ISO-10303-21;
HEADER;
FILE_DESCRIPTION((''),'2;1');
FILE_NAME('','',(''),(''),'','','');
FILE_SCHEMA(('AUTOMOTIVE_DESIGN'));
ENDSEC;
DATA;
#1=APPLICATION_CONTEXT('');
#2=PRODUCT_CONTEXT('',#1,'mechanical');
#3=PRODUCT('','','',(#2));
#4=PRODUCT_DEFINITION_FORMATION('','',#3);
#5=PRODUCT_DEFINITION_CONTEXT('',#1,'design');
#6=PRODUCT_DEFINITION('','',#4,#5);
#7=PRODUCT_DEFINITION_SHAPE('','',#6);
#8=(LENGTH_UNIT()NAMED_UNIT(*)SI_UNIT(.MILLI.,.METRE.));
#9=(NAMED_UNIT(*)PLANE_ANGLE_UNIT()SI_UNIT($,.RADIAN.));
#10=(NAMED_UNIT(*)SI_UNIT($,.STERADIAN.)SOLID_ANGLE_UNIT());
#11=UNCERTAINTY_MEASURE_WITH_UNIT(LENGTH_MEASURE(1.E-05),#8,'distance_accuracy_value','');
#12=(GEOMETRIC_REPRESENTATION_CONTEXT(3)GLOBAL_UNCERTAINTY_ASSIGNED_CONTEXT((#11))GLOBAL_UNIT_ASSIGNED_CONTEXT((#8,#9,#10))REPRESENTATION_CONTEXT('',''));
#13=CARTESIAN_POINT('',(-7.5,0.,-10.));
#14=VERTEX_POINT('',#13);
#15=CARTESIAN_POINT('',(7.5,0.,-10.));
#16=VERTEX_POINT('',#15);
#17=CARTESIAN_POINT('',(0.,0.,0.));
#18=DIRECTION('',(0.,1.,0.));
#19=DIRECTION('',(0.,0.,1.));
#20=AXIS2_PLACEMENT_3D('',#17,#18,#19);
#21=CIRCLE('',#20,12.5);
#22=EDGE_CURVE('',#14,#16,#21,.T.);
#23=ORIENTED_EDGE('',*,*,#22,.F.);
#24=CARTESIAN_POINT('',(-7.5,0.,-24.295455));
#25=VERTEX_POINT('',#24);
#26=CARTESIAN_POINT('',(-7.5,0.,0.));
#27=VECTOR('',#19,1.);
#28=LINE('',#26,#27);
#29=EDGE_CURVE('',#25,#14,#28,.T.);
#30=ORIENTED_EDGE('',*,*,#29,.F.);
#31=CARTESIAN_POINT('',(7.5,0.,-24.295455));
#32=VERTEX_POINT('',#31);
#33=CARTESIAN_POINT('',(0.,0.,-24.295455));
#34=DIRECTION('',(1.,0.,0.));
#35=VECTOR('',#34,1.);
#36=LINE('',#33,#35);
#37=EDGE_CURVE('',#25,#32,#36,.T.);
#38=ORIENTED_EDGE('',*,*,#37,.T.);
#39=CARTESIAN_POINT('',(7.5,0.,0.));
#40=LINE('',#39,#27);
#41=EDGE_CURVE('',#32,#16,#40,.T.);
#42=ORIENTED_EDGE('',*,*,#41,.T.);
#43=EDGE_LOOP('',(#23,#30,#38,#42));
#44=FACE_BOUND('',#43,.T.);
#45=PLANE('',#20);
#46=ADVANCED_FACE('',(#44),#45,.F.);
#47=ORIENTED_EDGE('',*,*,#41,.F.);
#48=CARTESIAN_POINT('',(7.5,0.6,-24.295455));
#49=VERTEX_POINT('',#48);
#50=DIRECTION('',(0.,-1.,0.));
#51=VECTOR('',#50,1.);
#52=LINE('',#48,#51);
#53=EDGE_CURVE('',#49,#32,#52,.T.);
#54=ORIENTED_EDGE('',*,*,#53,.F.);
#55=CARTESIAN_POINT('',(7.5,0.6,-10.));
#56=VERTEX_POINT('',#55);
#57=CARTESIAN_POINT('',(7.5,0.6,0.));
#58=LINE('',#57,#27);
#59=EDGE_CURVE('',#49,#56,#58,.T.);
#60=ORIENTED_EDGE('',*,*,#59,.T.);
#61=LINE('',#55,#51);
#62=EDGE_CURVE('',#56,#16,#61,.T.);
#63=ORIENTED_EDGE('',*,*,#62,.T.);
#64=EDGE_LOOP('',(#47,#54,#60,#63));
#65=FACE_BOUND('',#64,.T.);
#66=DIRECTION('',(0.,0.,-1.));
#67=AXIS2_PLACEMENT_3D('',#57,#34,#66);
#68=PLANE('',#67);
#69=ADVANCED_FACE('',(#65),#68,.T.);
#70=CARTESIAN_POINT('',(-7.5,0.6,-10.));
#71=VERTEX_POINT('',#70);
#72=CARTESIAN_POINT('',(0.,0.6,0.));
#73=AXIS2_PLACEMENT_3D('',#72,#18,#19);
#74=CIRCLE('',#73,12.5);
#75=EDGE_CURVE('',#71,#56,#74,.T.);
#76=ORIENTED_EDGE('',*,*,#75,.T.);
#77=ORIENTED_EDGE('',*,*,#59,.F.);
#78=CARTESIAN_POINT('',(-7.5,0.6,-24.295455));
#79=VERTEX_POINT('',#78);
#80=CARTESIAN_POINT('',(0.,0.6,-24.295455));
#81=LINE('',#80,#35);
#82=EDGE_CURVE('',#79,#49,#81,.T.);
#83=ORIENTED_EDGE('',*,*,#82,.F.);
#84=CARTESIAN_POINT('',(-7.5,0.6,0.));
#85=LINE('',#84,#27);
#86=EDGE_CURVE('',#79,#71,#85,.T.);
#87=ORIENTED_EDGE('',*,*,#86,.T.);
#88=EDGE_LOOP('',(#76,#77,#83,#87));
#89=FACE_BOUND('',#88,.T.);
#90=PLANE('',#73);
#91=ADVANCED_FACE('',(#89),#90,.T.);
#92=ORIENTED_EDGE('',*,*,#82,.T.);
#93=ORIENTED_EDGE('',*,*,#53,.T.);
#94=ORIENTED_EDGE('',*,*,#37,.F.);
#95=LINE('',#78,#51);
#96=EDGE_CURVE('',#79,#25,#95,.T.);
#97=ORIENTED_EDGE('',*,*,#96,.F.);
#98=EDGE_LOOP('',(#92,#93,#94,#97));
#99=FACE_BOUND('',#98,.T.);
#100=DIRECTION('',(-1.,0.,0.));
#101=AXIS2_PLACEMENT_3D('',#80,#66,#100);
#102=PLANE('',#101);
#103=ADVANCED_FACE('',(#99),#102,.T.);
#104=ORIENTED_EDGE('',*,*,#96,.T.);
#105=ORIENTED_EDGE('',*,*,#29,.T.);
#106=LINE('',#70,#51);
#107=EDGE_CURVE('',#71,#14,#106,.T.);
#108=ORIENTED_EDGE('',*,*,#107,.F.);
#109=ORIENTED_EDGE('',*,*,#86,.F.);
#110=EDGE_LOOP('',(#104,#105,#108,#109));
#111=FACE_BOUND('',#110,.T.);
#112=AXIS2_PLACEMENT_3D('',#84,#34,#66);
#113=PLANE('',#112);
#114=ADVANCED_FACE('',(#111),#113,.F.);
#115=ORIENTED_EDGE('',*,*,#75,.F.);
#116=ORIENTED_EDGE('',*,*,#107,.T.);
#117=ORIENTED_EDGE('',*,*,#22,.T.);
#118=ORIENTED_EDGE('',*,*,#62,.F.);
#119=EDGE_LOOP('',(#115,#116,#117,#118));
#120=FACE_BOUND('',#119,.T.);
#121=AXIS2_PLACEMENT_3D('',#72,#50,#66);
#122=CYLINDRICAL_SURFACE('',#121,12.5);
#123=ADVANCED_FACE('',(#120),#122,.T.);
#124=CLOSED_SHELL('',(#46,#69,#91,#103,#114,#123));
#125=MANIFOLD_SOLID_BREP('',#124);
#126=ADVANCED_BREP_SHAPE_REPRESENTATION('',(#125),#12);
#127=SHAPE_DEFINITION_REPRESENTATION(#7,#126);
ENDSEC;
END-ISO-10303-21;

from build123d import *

# Parameters (mm, degrees)
BOSS_EXTRUDE1_DEPTH = 0.6


with BuildPart() as part:
    # Sketch1 → Boss-Extrude1 (new body)
    with BuildSketch(Plane(origin=(0, 0, 0), x_dir=(1, 0, 0), z_dir=(0, 1, 0))):
        with BuildLine():
            ThreePointArc((7.5, 10), (0, 12.5), (-7.5, 10))
            Line((-7.5, 10), (-7.5, 0.704545455))
            Line((-7.5, 0.704545455), (7.5, 0.704545455))
            Line((7.5, 0.704545455), (7.5, 10))
        make_face()
        with BuildLine():
            Line((-7.5, 0.704545455), (-7.5, 10))
            ThreePointArc((-7.5, 10), (-5.590169944, -11.180339887), (12.5, 0))
            ThreePointArc((12.5, 0), (11.180339887, 5.590169944), (7.5, 10))
            Line((7.5, 10), (7.5, 0.704545455))
            Line((7.5, 0.704545455), (-7.5, 0.704545455))
        make_face()
        with BuildLine():
            Line((7.5, 24.295454545), (-7.5, 24.295454545))
            Line((-7.5, 24.295454545), (-7.5, 10))
            ThreePointArc((-7.5, 10), (0, 12.5), (7.5, 10))
            Line((7.5, 10), (7.5, 24.295454545))
        make_face()
    extrude(amount=BOSS_EXTRUDE1_DEPTH)


solid = part.part
